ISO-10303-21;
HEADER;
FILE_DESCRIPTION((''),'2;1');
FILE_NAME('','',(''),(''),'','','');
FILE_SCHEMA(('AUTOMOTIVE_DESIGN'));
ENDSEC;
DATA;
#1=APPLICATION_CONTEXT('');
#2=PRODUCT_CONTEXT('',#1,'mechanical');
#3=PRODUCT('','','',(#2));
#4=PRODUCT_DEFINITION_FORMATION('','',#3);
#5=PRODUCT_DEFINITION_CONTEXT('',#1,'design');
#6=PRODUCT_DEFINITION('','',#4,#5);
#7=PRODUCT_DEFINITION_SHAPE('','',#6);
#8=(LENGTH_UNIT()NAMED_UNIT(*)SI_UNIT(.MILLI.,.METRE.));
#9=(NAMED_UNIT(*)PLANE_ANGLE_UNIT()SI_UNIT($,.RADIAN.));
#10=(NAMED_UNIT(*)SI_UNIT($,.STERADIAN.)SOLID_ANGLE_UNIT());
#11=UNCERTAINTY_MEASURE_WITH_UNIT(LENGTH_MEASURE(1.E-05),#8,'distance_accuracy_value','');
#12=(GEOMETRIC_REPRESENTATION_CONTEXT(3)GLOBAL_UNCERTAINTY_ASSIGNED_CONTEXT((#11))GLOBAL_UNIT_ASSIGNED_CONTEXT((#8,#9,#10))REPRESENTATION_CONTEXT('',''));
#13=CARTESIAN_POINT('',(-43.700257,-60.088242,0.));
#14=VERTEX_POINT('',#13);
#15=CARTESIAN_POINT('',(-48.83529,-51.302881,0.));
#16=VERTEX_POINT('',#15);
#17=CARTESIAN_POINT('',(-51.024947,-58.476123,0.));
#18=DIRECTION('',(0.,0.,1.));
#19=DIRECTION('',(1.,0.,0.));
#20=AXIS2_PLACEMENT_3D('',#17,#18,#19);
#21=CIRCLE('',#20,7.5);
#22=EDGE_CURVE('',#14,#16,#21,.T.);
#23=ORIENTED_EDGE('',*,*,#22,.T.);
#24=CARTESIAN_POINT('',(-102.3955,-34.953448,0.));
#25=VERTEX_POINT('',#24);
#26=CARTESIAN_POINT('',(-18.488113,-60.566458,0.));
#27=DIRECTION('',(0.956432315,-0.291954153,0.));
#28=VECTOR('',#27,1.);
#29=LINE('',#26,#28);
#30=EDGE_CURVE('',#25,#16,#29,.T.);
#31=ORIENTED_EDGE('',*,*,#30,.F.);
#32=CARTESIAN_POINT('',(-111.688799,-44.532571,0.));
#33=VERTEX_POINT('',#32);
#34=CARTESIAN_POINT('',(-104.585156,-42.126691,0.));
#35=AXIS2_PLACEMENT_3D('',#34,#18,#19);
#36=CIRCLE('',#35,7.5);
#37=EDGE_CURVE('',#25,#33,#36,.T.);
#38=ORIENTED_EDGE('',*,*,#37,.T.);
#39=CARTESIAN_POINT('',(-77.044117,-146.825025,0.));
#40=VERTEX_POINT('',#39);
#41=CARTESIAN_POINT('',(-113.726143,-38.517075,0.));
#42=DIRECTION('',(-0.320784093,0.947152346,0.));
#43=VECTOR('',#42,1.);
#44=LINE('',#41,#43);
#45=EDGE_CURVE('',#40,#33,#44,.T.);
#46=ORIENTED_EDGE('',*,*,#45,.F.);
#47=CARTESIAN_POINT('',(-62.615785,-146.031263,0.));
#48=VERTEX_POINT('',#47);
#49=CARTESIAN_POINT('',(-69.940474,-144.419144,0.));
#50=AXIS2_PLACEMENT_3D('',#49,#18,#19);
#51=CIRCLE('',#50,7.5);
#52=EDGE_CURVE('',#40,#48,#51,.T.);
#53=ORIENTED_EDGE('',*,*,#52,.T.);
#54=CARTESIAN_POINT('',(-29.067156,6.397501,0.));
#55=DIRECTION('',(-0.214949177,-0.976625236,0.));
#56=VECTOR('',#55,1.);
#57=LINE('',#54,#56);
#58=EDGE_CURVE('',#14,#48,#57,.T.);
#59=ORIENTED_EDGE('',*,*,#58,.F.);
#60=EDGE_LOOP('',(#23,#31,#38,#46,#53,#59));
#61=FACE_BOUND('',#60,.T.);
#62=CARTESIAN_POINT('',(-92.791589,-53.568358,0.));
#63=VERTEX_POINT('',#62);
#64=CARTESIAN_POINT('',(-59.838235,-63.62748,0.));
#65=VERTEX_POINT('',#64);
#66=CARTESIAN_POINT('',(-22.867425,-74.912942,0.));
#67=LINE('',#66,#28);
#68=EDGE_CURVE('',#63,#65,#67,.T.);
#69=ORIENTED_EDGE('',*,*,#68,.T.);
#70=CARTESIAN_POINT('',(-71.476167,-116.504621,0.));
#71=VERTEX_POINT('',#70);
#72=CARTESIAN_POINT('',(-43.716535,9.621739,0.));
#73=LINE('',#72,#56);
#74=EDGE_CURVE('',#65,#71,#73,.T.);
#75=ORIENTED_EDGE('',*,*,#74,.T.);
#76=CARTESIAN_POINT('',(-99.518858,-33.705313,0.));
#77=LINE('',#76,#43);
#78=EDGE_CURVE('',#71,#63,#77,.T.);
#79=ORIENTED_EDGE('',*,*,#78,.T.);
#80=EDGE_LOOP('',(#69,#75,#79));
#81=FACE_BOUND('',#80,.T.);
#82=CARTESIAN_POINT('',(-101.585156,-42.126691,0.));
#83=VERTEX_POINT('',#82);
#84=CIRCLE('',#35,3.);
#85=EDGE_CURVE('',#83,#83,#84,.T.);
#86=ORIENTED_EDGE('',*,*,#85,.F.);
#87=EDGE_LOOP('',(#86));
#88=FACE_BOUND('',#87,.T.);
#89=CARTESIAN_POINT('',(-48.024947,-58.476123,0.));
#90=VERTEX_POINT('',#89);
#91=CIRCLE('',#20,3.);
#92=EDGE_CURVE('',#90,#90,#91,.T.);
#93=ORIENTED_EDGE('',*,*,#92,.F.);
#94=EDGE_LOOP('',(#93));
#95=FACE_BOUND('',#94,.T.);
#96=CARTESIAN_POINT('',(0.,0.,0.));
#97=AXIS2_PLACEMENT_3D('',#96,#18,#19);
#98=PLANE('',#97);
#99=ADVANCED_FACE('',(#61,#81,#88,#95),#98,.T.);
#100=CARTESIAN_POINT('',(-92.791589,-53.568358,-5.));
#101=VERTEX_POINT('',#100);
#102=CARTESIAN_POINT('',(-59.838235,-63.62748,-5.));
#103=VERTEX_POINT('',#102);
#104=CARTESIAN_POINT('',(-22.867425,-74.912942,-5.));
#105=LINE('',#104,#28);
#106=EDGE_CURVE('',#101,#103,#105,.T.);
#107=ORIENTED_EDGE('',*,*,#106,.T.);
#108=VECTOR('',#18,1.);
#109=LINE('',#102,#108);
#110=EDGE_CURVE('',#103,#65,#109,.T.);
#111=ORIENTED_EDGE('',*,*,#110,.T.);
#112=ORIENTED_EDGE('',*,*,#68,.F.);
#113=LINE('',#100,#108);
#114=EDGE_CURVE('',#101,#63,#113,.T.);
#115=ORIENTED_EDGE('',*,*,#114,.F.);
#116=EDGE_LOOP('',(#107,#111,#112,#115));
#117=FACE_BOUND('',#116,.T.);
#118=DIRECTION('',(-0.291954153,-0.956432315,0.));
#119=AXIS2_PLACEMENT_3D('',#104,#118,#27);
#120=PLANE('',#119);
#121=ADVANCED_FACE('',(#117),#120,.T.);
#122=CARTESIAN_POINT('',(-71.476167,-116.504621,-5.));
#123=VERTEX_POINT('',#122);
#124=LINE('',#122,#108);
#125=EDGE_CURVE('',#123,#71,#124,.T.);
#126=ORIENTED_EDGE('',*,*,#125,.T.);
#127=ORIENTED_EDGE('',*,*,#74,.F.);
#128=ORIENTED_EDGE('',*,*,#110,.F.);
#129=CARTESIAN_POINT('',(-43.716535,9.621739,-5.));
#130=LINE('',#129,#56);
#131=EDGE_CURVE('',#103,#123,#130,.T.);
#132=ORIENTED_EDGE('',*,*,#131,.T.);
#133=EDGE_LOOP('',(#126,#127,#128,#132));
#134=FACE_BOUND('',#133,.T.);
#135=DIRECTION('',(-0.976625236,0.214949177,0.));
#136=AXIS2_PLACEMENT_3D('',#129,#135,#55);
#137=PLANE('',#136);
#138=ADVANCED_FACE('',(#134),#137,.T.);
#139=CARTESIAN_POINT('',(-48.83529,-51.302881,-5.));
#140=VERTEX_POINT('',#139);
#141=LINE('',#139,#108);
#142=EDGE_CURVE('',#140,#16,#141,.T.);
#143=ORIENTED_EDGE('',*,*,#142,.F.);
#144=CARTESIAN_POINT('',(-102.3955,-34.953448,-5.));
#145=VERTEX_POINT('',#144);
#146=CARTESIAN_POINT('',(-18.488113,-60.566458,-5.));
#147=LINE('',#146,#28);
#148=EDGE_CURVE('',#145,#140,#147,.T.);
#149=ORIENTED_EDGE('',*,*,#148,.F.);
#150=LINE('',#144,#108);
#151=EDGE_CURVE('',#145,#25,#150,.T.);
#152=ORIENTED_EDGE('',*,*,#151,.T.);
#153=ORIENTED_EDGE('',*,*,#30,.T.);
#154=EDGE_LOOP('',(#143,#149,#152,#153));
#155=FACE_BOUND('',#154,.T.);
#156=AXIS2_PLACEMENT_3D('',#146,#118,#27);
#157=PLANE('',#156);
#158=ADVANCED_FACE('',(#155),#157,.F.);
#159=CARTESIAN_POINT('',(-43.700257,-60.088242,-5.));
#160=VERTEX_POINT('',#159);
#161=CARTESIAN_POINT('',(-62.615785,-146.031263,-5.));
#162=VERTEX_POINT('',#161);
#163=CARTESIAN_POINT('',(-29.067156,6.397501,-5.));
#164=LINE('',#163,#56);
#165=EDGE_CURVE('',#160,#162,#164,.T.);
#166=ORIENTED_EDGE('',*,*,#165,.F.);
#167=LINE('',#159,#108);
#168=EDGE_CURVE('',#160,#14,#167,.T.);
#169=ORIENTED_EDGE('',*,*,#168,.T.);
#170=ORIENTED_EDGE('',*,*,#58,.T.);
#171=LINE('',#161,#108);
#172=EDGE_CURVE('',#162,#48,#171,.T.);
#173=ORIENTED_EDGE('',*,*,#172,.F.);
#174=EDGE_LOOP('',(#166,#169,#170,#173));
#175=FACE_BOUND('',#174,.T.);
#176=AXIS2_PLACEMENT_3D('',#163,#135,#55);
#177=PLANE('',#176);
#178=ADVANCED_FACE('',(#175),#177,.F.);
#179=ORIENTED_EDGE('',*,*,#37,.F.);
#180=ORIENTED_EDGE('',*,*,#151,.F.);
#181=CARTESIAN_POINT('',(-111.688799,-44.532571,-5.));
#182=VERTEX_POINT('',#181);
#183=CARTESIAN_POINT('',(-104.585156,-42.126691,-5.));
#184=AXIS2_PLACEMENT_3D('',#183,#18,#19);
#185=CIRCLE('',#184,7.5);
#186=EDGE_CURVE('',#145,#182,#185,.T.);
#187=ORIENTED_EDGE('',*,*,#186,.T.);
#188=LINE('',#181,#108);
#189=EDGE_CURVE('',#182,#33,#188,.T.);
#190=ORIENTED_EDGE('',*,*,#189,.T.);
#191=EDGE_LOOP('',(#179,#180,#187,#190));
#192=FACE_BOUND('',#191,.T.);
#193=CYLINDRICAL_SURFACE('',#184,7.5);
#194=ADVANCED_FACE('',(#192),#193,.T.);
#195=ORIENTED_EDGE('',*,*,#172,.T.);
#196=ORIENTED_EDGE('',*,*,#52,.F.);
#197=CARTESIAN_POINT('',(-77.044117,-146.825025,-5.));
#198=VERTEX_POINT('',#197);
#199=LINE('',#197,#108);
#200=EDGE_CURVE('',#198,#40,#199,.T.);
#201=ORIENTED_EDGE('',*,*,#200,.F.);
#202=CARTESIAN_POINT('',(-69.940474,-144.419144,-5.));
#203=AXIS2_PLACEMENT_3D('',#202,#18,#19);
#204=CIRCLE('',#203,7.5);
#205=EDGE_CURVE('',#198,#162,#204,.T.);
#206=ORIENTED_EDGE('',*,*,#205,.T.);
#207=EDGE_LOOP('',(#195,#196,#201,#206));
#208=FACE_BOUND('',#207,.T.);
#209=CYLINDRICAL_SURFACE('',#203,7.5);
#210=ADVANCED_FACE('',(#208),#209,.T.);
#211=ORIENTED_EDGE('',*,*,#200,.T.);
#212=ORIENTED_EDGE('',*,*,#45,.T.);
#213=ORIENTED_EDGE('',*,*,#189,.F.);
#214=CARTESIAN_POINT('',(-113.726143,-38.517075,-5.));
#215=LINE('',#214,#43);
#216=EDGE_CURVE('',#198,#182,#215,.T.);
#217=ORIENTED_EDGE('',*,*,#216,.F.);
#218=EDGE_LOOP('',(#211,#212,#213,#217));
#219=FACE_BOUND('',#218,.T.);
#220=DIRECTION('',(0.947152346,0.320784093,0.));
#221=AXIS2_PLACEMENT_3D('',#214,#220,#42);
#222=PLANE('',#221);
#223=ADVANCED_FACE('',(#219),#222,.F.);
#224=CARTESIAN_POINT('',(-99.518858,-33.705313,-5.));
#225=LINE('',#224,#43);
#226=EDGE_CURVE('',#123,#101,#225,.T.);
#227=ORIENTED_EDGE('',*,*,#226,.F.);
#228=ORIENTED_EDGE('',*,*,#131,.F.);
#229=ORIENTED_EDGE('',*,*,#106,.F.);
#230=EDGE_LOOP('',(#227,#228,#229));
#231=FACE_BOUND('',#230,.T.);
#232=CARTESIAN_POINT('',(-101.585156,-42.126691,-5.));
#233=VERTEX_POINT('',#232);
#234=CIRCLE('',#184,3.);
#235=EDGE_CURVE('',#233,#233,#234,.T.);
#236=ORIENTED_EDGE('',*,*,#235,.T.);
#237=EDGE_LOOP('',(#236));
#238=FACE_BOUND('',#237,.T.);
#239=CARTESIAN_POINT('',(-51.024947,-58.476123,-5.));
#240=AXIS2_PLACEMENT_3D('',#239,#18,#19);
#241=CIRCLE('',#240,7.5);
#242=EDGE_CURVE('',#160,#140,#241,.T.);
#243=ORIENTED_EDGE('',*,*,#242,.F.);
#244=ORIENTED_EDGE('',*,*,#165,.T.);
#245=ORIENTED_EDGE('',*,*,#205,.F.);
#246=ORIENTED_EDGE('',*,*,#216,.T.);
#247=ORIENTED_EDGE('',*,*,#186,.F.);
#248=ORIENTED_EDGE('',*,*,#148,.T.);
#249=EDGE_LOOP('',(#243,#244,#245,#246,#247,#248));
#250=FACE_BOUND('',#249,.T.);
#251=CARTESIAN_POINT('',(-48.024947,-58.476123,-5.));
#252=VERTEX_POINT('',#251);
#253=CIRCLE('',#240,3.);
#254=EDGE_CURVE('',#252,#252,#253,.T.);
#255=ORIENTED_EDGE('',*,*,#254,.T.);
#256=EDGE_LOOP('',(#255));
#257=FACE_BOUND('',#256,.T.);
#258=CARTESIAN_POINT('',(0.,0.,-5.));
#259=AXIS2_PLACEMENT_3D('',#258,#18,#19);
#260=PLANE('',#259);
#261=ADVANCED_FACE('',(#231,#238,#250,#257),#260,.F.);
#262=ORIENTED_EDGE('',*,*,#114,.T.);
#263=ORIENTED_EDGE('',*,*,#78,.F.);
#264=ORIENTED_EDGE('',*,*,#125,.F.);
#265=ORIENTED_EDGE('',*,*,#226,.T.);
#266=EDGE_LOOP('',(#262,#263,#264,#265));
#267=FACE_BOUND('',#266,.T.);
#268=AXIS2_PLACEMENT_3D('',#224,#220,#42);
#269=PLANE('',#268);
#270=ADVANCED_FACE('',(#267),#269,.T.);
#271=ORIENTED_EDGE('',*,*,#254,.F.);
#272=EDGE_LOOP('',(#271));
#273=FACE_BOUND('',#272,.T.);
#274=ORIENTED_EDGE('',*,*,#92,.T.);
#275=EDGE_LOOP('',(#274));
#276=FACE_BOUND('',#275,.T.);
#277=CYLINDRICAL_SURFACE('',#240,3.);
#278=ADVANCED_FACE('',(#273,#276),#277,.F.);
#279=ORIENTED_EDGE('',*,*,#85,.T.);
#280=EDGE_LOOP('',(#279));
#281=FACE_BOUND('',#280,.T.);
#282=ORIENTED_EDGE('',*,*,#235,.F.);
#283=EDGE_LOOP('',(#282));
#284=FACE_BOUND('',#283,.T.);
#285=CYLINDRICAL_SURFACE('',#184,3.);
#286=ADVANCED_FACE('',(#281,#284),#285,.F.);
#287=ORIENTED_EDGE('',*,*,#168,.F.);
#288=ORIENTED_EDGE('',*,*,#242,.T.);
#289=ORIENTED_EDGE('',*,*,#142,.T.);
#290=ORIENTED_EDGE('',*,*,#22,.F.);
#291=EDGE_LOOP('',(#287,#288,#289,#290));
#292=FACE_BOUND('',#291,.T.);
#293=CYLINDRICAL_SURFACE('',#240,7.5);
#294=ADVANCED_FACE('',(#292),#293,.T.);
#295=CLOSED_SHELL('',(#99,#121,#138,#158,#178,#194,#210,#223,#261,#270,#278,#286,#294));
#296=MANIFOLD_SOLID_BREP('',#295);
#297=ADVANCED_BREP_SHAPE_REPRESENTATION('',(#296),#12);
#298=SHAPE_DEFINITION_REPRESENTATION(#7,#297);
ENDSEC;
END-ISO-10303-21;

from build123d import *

# Parameters (mm, degrees)
BOSS_EXTRU_1_DEPTH           = 5
ENL_V_MAT_EXTRU_1_DEPTH      = 189.858435052
ENL_V_MAT_EXTRU_1_DEPTH_BACK = 189.858435052
ESQUISSE2_R                  = 3


with BuildPart() as part:
    # Esquisse1 → Boss.-Extru.1 (new body)
    with BuildSketch(Plane.XY):
        with BuildLine():
            Line((-111.688798728, -44.532571199), (-77.044116728, -146.825024533))
            ThreePointArc((-77.044116728, -146.825024533), (-69.528491269, -151.907819965), (-62.615784867, -146.03126267))
            Line((-62.615784867, -146.03126267), (-43.700257251, -60.088241923))
            ThreePointArc((-43.700257251, -60.088241923), (-44.549891694, -54.691461284), (-48.835290369, -51.302880733))
            Line((-48.835290369, -51.302880733), (-102.395499985, -34.953448145))
            ThreePointArc((-102.395499985, -34.953448145), (-109.968158579, -36.904307457), (-111.688798728, -44.532571199))
        make_face()
        Polygon((-59.838234907, -63.627479624), (-71.476166828, -116.504620821), (-92.791588673, -53.5683585), align=None, mode=Mode.SUBTRACT)
    extrude(amount=-BOSS_EXTRU_1_DEPTH)

    # Esquisse2 → Enlèv. mat.-Extru.1 (cut, two sides: drawn at the far end of the back side and taken through both)
    with BuildSketch(Plane.XY.offset(-ENL_V_MAT_EXTRU_1_DEPTH_BACK)):
        with Locations((-51.024946519, -58.476123092)):
            Circle(ESQUISSE2_R)
        with Locations((-104.585156135, -42.126690504)):
            Circle(ESQUISSE2_R)
    extrude(amount=ENL_V_MAT_EXTRU_1_DEPTH + ENL_V_MAT_EXTRU_1_DEPTH_BACK, mode=Mode.SUBTRACT)


solid = part.part
